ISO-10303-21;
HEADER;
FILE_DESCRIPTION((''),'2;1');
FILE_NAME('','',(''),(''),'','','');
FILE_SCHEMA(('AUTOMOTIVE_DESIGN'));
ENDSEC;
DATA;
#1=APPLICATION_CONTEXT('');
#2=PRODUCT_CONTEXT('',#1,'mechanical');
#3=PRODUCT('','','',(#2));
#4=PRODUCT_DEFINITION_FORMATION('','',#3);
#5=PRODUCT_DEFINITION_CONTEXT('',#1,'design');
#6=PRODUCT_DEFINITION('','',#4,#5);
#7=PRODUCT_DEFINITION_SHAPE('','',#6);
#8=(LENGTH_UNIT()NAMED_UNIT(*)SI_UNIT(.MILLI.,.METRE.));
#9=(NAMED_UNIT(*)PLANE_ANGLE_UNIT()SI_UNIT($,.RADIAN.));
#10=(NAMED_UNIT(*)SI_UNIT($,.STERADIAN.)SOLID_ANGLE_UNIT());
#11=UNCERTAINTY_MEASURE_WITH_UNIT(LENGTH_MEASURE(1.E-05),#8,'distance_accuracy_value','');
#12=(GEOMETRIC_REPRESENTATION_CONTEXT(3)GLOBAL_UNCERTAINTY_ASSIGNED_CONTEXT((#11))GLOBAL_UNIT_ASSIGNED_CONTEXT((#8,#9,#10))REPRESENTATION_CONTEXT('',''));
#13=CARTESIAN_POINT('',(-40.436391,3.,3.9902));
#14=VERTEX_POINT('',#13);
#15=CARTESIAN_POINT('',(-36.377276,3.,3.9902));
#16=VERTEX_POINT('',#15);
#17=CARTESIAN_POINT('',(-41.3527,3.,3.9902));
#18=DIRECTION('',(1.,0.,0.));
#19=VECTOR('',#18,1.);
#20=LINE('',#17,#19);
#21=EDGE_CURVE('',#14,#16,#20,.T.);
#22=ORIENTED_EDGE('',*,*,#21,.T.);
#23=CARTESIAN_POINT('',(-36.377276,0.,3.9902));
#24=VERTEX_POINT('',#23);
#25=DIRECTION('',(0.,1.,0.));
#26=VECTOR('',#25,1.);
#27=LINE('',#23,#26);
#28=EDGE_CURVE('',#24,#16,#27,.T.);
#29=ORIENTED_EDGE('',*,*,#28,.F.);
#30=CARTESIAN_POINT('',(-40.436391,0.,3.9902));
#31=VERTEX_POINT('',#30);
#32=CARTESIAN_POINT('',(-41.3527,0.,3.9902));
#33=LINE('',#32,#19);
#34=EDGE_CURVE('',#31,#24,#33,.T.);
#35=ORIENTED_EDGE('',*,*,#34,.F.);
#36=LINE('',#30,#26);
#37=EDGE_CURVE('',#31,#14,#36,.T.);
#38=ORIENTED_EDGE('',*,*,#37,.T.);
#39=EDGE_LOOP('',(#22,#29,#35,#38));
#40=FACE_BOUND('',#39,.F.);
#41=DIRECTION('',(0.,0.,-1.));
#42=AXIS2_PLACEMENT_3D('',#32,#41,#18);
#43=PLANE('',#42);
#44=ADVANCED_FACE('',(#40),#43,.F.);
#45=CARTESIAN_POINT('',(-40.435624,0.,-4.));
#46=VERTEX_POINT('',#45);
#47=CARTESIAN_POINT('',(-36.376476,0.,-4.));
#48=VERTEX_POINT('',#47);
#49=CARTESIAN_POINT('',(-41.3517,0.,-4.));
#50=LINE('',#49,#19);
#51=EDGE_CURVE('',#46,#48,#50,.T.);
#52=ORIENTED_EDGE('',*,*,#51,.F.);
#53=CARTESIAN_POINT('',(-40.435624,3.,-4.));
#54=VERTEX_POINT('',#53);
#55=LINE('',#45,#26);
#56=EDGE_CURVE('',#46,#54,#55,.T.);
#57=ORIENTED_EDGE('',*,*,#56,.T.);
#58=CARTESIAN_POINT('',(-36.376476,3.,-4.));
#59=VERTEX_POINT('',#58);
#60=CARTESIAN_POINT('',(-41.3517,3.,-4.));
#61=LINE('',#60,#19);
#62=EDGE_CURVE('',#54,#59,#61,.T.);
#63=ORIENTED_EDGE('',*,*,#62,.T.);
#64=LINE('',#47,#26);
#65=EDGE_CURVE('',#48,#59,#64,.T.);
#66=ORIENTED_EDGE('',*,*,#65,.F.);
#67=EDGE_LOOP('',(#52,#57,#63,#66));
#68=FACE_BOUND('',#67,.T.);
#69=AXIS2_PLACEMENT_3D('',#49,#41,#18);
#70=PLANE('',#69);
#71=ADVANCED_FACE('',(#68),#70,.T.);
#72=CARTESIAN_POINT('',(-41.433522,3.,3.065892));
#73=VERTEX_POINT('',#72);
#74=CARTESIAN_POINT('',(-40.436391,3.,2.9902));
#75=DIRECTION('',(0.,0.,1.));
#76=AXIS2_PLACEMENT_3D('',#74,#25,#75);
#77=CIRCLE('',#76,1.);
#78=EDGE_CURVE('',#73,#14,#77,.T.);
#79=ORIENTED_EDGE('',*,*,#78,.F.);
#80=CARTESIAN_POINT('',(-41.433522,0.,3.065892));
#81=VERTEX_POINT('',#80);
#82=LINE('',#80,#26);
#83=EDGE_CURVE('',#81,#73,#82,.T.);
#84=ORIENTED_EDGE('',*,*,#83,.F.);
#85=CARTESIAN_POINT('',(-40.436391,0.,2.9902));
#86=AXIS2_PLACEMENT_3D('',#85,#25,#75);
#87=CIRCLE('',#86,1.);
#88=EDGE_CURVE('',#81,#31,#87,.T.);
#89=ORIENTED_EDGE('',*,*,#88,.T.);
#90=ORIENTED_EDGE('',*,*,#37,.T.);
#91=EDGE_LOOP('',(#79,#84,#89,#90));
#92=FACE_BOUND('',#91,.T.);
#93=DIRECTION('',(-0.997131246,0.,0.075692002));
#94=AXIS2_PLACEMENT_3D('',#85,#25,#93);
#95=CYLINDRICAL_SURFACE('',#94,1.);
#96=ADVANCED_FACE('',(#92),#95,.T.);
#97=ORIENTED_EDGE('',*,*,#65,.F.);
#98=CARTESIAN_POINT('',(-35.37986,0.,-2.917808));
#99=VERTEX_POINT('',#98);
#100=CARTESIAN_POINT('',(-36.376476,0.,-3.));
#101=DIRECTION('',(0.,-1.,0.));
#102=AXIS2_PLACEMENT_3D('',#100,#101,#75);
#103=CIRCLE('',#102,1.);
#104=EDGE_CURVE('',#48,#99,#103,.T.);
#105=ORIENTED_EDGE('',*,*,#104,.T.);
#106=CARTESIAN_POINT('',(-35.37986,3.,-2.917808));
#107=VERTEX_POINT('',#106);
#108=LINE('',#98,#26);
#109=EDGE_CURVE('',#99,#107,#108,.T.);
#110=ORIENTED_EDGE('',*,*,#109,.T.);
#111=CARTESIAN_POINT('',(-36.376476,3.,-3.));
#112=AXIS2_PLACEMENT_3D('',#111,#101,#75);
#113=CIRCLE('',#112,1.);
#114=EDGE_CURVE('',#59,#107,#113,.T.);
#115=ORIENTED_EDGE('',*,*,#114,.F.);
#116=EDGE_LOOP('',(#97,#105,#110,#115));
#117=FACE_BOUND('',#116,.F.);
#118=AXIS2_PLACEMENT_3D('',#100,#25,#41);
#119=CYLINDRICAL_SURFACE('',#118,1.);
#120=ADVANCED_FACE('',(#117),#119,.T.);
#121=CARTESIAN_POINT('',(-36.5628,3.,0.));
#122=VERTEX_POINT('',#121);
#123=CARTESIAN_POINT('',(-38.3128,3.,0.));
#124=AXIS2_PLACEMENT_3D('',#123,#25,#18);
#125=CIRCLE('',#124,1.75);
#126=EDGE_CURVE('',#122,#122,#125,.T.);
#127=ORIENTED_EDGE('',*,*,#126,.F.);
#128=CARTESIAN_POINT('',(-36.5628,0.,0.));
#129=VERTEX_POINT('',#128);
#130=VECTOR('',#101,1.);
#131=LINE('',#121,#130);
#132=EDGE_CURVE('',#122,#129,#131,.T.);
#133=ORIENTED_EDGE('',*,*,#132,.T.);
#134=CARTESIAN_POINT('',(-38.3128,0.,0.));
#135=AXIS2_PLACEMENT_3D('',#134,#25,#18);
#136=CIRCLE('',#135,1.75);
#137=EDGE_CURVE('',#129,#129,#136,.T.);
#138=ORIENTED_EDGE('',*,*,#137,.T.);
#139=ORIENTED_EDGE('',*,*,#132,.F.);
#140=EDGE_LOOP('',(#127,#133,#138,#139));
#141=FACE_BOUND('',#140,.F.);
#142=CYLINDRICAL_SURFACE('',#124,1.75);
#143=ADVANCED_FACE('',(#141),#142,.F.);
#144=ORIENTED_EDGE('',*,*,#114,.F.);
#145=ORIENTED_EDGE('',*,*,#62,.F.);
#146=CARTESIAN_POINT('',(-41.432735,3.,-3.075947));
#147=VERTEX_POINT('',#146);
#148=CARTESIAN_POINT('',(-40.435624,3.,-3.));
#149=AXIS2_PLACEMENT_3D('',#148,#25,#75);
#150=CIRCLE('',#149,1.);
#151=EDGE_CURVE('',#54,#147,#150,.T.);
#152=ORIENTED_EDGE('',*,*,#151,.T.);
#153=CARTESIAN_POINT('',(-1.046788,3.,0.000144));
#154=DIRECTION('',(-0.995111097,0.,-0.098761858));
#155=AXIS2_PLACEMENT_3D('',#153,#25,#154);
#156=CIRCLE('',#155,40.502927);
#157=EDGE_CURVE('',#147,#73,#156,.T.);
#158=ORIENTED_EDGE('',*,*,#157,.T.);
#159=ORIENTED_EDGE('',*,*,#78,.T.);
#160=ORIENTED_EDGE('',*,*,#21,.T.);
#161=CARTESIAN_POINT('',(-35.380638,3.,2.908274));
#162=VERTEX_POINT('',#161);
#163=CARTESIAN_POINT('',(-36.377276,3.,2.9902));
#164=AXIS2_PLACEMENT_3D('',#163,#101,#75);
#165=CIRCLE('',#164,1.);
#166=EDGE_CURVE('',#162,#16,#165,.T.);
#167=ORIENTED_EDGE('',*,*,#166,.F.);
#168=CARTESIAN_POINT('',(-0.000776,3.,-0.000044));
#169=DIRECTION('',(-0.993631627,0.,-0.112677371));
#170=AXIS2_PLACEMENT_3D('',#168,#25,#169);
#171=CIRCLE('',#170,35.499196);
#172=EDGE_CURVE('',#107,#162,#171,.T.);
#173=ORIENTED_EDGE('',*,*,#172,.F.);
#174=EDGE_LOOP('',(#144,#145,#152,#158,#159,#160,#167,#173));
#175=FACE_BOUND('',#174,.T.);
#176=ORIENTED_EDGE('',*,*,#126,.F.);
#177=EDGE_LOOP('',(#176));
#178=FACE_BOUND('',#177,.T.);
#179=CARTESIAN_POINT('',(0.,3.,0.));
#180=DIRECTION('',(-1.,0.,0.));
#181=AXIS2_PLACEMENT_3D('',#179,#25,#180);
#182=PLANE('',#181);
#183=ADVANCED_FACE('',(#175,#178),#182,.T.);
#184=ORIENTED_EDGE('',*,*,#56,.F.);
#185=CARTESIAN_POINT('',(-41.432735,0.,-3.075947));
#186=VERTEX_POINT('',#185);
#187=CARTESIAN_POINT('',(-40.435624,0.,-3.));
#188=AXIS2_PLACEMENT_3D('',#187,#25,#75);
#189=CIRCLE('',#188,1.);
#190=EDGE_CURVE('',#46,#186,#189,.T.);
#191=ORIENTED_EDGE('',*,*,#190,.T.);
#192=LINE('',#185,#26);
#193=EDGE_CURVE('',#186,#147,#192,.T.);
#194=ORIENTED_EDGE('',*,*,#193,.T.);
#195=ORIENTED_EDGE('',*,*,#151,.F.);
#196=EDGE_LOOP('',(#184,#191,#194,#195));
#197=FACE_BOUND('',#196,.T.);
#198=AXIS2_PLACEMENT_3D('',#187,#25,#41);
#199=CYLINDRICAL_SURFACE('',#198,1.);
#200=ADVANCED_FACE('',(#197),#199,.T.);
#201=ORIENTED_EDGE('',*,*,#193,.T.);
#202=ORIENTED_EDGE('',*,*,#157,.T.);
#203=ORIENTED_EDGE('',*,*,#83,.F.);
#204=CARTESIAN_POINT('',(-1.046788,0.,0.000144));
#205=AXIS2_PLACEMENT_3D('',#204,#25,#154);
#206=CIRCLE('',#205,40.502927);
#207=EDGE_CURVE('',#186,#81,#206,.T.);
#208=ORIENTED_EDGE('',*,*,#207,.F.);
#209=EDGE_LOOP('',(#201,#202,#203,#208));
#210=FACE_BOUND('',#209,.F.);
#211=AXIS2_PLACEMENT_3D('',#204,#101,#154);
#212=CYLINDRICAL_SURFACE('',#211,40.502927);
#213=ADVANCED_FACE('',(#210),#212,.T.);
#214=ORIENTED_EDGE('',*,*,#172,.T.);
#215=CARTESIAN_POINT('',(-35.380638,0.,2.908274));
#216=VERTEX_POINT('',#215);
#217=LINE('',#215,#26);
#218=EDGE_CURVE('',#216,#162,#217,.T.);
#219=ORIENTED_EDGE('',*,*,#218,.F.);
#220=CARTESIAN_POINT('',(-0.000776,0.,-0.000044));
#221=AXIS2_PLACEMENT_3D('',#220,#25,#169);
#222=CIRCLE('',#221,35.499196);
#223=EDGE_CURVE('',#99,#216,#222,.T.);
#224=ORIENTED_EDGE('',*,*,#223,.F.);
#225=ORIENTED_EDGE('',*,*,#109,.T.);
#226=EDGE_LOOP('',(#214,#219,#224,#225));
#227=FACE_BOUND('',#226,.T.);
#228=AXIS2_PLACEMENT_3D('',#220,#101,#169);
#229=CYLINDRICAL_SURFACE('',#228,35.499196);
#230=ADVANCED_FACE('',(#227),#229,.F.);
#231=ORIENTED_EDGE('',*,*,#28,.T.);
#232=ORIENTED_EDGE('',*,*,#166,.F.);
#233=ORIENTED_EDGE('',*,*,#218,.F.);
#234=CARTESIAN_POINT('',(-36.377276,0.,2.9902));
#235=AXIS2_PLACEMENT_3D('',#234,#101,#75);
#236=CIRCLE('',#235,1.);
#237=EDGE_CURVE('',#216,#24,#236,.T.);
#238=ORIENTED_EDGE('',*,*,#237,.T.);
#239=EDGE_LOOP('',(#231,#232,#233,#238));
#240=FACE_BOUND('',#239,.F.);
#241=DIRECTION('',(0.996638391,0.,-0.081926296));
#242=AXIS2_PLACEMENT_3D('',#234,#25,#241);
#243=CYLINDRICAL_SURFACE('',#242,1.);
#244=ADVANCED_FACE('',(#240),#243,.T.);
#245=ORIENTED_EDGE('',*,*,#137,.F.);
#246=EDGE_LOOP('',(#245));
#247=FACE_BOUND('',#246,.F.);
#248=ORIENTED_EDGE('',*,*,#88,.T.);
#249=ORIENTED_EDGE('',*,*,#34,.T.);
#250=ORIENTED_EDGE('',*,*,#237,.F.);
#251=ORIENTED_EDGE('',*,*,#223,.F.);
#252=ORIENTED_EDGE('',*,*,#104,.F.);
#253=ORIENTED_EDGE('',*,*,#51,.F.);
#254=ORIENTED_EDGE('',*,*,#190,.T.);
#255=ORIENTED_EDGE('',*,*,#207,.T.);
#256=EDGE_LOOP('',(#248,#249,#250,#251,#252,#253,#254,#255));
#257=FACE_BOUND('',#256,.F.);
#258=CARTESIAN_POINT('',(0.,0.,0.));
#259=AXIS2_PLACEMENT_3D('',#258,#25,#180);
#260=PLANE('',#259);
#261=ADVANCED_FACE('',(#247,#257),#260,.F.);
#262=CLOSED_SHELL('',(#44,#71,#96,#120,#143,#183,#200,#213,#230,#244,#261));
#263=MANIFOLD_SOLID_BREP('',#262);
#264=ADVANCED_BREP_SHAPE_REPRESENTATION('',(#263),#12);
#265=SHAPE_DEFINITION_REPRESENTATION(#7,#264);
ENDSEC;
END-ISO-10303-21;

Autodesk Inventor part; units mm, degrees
ref_plane "YZ Plane" through (0, 0, 0) normal (1, 0, 0) x (0, 1, 0)
ref_plane "XZ Plane" through (0, 0, 0) normal (0, 1, 0) x (-1, 0, 0)
ref_plane "XY Plane" through (0, 0, 0) normal (0, 0, 1) x (1, 0, 0)
sketch "Sketch1" plane through (0, 0, 0) normal (0, 1, 0) x (-1, 0, 0)
  arc A0 (0, -35.5) -> (0, 35.5) centre (0, 0) ccw construction
  arc A1 (-2.5809, -40.3369) -> (-17.4082, 36.0494) centre (1.0497, 0) ccw construction
  arc A2 (39.0973, -13.8791) -> (40.8076, 7.7173) centre (1.0497, 0) ccw construction
  line L0 (41.5497, -0.0049) -> (41.3517, -4) construction
  line L1 (41.5497, -0.0049) -> (41.3527, 3.9902) construction
  arc A3 (41.3517, -4) -> (41.3527, 3.9902) centre (1.0497, 0) ccw
  line L2 (35.5, 0) -> (35.5, -4) construction
  line L3 (35.5, 0) -> (35.5, 4) construction
  arc A4 (35.2739, -4) -> (35.275, 3.9902) centre (0, 0) ccw construction
  arc A5 (35.2739, -4) -> (35.275, 3.9902) centre (0, 0) ccw
  line L4 (41.3527, 3.9902) -> (35.275, 3.9902)
  line L5 (41.3517, -4) -> (35.2739, -4)
  dimension "d7" = 0
  dimension "d8" = 40.5
  dimension "d9" = 35.5
  dimension "d14" = 4
  dimension "d15" = 4
  dimension "d18" = 4
  dimension "d19" = 4
extrude "Extrusion1" add sketch "Sketch1" along normal blind 3
sketch "Sketch2" plane through (0, 3, 0) normal (0, 1, 0) x (1, 0, 0)
  arc A0 (-41.3517, 4) -> (-41.3527, -3.9902) centre (-1.0497, 0) ccw projected
  line L0 (-41.3527, -3.9902) -> (-35.275, -3.9902) projected
  arc A1 (-35.2739, 4) -> (-35.275, -3.9902) centre (0, 0) ccw projected
  line L1 (-35.2739, 4) -> (-41.3517, 4) projected
  circle A2 centre (-38.3128, 0) radius 1.75
  point P0 (0, 0)
  dimension "d22" = 3.5
extrude "Extrusion2" cut sketch "Sketch2" along normal through all both and the other way through all contours A2
fillet "Fillet1" radius 1 4 edges at (-41.3527, 1.5, 3.9902) (-41.3517, 1.5, -4) (-35.2739, 1.5, -4) (-35.275, 1.5, 3.9902)
properties part number "reverse gear link block"
